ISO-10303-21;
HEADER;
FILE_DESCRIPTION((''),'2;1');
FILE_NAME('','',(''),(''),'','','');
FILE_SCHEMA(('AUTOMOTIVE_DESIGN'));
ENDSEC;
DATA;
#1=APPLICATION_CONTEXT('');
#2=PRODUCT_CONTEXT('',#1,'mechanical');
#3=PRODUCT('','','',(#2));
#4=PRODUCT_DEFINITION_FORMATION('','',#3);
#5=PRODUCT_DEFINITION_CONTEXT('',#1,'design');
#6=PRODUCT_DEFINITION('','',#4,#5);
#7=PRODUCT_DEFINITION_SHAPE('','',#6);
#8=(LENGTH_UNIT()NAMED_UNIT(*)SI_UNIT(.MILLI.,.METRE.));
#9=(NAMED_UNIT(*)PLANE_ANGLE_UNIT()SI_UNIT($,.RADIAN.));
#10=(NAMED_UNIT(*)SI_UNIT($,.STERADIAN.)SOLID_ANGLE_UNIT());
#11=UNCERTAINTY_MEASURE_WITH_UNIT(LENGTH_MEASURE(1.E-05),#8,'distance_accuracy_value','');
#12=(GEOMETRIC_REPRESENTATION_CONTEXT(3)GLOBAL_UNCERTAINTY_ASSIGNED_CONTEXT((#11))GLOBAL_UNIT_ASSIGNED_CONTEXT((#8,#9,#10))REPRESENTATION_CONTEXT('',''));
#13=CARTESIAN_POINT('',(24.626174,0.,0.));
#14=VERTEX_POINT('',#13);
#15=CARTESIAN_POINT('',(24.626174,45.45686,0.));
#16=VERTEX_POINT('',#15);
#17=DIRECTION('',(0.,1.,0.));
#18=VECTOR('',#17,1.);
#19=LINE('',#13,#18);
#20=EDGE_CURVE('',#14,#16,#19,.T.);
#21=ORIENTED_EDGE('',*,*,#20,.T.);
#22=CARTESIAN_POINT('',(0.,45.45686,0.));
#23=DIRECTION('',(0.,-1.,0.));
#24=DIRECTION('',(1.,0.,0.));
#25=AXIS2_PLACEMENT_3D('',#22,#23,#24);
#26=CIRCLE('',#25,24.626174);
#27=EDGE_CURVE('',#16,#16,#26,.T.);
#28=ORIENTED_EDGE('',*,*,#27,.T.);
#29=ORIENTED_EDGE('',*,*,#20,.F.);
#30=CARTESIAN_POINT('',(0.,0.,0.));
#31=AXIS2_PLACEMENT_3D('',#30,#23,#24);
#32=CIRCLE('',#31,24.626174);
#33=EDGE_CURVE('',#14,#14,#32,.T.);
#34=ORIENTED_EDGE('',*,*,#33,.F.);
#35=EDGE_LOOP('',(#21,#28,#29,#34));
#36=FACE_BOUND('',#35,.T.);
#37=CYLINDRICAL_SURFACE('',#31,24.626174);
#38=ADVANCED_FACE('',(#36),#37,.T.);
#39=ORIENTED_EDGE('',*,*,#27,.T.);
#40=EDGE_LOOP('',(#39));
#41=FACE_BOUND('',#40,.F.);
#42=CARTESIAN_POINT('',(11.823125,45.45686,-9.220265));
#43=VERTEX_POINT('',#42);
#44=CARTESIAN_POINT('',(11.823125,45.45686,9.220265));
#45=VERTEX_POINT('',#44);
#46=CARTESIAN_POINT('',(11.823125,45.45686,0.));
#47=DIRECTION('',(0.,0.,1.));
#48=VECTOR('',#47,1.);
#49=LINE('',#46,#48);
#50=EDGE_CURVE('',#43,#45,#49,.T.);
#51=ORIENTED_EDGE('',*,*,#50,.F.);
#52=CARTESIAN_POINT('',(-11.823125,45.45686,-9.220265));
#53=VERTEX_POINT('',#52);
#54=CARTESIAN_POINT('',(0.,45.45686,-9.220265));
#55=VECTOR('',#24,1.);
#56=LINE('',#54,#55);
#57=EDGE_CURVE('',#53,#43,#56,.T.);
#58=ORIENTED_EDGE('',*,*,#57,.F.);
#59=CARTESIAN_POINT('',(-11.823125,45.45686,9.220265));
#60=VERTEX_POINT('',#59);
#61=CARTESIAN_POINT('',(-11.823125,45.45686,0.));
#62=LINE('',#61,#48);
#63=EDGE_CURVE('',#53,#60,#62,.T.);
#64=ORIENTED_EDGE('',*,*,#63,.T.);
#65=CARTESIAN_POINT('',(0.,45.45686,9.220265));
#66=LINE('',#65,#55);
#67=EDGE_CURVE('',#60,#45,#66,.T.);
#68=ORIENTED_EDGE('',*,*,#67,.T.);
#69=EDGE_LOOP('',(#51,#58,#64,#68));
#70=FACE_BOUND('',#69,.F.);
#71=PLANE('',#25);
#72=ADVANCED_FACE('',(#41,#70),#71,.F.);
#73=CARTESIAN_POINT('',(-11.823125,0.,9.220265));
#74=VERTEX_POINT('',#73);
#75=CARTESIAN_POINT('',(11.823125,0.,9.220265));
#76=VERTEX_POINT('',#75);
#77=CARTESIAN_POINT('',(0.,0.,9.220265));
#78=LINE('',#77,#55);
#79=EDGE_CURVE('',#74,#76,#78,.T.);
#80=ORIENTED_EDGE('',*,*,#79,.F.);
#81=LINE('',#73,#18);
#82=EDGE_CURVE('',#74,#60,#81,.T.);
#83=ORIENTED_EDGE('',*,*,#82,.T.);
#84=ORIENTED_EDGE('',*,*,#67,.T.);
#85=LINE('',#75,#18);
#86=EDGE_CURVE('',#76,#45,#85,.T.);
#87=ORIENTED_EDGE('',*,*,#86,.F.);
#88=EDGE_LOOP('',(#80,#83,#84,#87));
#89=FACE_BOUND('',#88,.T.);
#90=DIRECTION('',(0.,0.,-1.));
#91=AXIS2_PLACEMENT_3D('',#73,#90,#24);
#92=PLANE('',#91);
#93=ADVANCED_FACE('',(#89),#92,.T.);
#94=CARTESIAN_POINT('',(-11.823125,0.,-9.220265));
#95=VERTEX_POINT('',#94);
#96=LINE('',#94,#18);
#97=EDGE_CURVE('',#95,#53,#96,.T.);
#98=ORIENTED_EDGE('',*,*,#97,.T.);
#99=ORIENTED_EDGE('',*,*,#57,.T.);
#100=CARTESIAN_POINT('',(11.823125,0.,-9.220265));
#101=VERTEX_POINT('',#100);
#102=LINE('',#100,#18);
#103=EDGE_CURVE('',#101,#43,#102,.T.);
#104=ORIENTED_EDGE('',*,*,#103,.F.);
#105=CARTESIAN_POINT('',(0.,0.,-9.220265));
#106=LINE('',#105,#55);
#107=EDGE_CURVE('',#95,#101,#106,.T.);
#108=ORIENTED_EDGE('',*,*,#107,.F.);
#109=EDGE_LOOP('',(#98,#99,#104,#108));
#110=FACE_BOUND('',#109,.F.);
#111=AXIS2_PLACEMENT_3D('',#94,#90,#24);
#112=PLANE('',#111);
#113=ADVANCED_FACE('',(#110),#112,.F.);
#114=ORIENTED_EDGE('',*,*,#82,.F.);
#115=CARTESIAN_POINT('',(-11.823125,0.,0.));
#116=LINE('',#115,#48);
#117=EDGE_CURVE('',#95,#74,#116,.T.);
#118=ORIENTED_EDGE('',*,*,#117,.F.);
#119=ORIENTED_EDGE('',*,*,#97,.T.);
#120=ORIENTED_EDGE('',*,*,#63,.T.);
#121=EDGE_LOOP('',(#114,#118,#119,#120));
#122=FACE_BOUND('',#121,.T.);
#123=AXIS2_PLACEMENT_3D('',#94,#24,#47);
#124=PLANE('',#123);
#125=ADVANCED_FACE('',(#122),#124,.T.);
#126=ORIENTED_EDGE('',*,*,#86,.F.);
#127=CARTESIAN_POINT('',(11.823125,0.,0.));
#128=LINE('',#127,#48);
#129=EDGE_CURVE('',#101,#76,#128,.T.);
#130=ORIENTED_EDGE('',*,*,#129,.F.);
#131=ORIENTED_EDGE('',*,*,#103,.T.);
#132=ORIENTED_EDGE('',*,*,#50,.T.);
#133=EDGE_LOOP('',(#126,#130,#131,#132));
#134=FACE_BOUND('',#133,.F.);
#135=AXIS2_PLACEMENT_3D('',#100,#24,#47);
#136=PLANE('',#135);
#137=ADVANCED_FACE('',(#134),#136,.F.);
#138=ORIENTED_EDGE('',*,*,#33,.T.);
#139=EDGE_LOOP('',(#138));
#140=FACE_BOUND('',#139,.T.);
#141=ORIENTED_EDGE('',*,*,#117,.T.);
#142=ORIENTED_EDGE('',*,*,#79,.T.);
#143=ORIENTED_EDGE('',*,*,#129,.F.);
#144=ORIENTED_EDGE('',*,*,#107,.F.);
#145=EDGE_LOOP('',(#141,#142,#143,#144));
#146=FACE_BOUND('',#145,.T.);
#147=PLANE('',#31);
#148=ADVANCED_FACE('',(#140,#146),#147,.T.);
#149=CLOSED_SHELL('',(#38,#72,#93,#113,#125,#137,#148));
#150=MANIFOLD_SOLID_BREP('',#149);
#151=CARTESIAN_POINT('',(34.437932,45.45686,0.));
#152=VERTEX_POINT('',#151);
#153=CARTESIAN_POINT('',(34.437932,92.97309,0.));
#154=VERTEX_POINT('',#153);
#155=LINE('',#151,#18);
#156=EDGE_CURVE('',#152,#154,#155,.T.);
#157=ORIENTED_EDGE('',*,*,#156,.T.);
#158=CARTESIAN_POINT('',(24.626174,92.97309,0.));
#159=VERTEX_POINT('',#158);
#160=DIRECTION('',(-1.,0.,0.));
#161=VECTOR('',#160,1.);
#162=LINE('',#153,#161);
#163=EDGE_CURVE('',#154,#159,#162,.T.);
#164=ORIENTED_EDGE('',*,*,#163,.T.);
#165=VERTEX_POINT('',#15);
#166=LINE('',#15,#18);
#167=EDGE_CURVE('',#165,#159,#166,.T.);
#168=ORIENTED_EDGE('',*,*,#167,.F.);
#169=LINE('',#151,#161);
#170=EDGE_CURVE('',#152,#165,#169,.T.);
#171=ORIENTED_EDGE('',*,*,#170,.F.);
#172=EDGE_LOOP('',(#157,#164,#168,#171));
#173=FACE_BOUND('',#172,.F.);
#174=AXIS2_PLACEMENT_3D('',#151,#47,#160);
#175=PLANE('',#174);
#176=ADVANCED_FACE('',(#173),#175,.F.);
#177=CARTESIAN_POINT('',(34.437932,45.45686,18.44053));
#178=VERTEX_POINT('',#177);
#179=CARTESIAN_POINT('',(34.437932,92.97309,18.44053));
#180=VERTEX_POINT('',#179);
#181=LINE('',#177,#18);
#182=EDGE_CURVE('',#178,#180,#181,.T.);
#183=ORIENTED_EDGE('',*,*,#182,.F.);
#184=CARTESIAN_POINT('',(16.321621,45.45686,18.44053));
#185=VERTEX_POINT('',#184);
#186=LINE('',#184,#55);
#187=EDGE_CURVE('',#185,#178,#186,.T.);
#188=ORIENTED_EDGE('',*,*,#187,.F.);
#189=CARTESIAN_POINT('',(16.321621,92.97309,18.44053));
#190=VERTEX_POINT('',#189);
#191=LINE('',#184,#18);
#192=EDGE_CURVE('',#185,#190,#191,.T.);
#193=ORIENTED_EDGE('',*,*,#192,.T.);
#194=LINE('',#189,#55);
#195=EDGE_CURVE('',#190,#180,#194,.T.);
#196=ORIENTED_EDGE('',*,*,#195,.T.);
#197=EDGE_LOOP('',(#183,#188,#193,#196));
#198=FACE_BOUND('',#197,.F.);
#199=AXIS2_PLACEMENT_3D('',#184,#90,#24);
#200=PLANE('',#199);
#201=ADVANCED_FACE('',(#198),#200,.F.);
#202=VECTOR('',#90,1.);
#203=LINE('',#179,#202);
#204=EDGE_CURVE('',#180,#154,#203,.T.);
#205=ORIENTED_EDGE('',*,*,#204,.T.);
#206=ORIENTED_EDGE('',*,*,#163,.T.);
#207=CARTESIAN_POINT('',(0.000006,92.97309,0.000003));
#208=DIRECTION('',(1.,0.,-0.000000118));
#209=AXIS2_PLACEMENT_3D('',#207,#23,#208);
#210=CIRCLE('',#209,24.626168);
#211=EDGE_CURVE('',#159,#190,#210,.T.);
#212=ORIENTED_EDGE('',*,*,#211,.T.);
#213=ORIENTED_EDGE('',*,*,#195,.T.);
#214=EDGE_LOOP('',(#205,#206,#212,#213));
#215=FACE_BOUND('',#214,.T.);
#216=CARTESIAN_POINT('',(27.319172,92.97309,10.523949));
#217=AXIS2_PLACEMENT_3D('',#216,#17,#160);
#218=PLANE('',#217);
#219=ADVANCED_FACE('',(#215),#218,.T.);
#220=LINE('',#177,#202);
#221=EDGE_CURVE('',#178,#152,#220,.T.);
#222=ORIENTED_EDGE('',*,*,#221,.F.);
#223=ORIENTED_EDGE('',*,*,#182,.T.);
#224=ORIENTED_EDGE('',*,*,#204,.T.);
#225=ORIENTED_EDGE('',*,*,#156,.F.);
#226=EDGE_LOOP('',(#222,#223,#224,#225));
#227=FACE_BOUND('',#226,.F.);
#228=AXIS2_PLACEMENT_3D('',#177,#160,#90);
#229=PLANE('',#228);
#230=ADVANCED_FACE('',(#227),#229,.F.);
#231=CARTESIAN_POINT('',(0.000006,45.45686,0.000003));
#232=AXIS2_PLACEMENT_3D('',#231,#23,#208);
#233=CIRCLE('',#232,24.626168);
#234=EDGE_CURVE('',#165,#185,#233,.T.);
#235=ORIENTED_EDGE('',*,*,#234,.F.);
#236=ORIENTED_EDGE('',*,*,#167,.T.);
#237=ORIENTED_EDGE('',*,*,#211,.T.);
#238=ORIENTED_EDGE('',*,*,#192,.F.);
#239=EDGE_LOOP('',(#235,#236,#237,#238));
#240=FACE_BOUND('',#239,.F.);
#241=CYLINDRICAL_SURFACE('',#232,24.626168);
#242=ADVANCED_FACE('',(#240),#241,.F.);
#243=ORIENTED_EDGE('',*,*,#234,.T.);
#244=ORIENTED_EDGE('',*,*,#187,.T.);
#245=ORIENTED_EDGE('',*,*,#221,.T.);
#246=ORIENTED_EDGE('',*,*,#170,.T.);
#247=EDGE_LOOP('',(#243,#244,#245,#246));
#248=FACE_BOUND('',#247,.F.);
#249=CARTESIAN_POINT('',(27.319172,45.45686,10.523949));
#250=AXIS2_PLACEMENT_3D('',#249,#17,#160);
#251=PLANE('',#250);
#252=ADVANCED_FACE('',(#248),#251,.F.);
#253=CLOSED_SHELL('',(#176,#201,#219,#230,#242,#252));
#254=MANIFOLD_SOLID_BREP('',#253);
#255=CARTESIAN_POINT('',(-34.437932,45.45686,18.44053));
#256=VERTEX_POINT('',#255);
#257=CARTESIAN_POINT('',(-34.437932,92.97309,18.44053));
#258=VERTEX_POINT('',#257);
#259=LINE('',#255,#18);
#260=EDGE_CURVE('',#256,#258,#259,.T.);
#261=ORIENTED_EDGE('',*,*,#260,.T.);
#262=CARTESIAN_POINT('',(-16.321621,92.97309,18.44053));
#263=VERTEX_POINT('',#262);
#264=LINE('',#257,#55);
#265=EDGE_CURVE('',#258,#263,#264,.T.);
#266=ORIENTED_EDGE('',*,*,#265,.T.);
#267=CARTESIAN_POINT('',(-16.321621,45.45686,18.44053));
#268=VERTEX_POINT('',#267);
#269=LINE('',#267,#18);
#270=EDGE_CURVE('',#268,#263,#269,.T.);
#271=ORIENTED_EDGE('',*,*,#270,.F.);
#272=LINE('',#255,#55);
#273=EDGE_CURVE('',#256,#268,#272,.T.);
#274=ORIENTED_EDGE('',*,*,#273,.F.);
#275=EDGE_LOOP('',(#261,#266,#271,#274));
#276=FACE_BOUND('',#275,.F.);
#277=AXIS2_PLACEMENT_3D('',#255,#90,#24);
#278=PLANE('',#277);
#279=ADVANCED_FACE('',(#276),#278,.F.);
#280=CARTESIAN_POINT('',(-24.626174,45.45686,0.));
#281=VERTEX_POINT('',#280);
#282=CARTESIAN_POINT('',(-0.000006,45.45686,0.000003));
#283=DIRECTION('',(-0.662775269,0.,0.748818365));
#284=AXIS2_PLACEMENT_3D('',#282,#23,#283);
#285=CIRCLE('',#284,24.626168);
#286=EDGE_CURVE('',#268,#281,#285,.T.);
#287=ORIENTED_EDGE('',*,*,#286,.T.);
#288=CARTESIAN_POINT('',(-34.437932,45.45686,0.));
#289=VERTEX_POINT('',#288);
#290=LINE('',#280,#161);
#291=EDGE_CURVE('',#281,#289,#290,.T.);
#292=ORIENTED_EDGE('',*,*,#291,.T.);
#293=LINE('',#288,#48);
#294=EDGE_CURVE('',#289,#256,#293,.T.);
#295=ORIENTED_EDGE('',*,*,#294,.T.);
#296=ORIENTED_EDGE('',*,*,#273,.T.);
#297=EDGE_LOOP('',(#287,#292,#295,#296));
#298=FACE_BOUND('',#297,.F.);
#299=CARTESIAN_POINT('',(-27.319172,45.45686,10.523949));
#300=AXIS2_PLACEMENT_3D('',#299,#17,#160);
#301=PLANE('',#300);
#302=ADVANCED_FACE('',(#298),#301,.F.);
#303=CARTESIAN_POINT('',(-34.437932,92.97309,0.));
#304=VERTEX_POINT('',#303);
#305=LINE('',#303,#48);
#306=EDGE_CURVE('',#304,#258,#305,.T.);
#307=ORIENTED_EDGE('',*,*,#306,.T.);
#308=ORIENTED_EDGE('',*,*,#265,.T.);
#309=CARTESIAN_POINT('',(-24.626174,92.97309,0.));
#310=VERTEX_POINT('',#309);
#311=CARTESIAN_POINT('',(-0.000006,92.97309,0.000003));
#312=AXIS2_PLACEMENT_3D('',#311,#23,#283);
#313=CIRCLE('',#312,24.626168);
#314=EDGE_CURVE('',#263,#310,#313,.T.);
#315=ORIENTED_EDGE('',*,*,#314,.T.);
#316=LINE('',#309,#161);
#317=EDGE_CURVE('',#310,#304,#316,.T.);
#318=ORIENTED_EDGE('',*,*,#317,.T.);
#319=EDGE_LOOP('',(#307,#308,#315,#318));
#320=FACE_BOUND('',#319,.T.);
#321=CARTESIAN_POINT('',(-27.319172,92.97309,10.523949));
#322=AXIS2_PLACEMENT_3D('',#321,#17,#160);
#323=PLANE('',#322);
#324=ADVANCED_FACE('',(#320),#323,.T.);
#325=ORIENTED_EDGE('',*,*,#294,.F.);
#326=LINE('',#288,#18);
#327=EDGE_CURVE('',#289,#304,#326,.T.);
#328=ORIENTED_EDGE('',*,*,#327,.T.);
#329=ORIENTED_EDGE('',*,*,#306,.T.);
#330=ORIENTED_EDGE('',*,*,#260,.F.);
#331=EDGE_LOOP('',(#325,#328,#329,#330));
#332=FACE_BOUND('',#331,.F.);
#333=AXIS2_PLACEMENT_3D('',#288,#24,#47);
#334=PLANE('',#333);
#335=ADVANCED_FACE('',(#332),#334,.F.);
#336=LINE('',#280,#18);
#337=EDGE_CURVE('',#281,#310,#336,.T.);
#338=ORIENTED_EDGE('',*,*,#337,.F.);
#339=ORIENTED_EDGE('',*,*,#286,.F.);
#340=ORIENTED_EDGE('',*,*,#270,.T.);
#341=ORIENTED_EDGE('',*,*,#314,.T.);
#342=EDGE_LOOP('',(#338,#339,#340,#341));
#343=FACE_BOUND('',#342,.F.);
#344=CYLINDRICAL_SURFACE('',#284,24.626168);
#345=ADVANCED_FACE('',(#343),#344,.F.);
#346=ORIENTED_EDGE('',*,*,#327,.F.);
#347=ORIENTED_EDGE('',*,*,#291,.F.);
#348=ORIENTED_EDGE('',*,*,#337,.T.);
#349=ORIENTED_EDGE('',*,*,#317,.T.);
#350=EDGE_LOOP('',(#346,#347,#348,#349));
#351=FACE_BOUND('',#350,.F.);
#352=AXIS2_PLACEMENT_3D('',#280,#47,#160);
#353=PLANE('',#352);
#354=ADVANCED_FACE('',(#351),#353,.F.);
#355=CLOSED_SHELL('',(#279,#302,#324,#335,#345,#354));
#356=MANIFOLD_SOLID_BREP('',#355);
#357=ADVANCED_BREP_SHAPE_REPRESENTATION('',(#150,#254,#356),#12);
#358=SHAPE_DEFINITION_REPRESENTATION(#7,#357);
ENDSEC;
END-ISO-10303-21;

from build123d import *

# Parameters (mm, degrees)
F0_R     = 24.626174
F0_W     = 23.64625
F0_H     = 18.44053
F2_DEPTH = 45.45686
F4_DEPTH = 47.51623


with BuildPart() as f2:
    # F0 (on Front) → F2 (new body)
    with BuildSketch(Plane.XZ):
        Circle(F0_R)
        Rectangle(F0_W, F0_H, mode=Mode.SUBTRACT)
    extrude(amount=-F2_DEPTH)


with BuildPart() as f4:
    # F3 (on face) → F4 (new body)
    with BuildSketch(Plane(origin=(0, 45.45686, 0), x_dir=(-1, 0, 0), z_dir=(0, 1, 0))):
        with BuildLine():
            Line((24.626174, 0), (34.437932, 0))
            Line((34.437932, 0), (34.437932, 18.44053))
            Line((34.437932, 18.44053), (16.321621, 18.44053))
            ThreePointArc((16.321621, 18.44053), (22.45426, 10.112106), (24.626174, 0))
        make_face()
        with BuildLine():
            Line((-34.437932, 0), (-24.626174, 0))
            ThreePointArc((-24.626174, 0), (-22.45426, 10.112106), (-16.321621, 18.44053))
            Line((-16.321621, 18.44053), (-34.437932, 18.44053))
            Line((-34.437932, 18.44053), (-34.437932, 0))
        make_face()
    extrude(amount=F4_DEPTH)


solid = Compound([f2.part, f4.part])
